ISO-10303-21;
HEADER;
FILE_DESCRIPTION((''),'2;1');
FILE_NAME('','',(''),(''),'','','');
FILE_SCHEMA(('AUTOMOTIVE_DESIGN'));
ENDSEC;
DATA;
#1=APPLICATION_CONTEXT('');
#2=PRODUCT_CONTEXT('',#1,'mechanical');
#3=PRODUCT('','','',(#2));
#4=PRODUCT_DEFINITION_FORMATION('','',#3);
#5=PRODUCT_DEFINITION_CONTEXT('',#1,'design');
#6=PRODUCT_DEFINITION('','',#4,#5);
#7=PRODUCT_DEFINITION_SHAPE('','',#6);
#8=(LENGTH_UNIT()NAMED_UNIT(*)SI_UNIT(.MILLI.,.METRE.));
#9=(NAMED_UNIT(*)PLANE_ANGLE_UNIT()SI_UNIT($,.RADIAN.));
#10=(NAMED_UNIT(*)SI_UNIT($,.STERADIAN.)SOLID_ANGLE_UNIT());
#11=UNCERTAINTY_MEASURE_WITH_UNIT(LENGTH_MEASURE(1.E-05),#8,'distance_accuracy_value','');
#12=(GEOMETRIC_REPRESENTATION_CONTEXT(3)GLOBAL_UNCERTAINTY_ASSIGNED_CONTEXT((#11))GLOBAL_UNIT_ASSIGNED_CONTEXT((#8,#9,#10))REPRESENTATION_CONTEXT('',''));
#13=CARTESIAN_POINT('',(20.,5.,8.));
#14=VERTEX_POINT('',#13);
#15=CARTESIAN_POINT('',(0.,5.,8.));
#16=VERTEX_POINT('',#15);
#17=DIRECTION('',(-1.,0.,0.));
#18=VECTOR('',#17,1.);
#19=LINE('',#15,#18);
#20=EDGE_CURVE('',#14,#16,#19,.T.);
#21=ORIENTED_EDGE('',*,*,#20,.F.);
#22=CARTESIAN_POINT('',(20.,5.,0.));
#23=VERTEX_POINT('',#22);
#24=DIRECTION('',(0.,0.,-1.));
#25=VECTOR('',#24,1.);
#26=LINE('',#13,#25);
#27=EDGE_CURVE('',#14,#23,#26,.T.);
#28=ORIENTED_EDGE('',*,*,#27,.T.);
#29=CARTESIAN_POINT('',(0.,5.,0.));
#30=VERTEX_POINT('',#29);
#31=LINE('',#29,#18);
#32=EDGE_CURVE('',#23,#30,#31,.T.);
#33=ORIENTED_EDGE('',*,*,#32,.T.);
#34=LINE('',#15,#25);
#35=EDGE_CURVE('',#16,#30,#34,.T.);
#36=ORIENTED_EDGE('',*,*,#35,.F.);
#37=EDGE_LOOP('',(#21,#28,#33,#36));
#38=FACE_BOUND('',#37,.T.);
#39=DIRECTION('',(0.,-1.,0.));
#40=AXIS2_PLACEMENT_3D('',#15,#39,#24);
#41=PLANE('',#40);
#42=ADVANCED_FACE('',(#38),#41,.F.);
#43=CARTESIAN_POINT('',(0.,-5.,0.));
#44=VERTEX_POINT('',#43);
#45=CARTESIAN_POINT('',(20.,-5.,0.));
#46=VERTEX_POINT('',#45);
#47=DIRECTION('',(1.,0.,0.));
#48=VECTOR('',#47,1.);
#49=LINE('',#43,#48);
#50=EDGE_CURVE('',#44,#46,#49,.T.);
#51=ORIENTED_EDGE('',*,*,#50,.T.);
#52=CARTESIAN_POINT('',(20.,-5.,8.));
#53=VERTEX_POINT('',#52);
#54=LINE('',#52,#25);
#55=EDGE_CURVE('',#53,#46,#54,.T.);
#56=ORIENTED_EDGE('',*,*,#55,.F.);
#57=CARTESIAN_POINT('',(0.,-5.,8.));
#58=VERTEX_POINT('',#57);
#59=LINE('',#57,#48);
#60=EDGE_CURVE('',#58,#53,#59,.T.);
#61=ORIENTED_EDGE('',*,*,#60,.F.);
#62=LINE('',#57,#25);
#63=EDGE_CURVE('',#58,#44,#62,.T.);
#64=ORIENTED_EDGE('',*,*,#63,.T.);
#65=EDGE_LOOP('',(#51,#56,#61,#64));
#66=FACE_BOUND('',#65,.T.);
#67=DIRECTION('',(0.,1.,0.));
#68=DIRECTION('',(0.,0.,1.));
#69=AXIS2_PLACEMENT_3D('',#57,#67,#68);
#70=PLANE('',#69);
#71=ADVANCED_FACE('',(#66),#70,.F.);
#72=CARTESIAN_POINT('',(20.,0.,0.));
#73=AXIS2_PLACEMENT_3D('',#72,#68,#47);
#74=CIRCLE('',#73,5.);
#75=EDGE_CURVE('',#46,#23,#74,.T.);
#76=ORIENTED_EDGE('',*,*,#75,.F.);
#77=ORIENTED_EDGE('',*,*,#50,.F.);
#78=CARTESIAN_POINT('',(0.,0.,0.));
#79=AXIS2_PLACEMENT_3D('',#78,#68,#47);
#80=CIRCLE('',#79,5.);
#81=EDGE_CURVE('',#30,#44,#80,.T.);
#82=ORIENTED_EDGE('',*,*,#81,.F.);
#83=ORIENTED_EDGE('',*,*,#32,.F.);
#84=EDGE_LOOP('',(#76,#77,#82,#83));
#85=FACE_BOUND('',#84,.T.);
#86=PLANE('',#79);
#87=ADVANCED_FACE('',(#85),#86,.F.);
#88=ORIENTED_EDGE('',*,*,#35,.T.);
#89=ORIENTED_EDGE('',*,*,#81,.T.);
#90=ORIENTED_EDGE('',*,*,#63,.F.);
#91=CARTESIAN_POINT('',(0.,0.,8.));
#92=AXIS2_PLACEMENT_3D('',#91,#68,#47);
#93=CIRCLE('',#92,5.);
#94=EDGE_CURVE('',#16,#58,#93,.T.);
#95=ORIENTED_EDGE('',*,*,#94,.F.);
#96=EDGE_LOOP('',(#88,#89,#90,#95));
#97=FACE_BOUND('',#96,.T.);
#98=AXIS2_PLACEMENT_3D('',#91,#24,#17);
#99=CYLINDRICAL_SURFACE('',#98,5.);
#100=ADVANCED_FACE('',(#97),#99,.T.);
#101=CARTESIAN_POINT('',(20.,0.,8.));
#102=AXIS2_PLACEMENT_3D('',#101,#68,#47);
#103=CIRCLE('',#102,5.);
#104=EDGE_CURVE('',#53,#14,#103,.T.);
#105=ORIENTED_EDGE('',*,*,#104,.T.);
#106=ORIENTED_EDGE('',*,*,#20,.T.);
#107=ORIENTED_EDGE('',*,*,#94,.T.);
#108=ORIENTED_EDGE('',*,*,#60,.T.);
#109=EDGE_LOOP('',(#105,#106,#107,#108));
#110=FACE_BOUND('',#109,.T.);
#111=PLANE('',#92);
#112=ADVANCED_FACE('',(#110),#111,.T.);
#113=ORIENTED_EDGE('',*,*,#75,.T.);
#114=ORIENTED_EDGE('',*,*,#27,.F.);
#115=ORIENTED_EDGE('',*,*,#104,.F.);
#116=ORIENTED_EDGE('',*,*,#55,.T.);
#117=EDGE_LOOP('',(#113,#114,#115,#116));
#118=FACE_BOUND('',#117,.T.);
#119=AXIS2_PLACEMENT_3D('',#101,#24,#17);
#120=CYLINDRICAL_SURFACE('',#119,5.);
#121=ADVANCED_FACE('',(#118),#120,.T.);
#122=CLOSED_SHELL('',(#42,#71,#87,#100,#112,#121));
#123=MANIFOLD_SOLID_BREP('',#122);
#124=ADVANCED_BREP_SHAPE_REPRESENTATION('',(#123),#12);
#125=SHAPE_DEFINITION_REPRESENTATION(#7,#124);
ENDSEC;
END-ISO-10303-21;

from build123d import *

# Parameters (mm, degrees)
ESTRUSIONE_ESTRUSIONE1_DEPTH = 8


with BuildPart() as part:
    # Schizzo1 → Estrusione-Estrusione1 (new body)
    with BuildSketch(Plane.XY):
        with BuildLine():
            Line((0, 5), (20, 5))
            ThreePointArc((20, 5), (25, 0), (20, -5))
            Line((20, -5), (0, -5))
            ThreePointArc((0, -5), (-5, 0), (0, 5))
        make_face()
    extrude(amount=ESTRUSIONE_ESTRUSIONE1_DEPTH)


solid = part.part
